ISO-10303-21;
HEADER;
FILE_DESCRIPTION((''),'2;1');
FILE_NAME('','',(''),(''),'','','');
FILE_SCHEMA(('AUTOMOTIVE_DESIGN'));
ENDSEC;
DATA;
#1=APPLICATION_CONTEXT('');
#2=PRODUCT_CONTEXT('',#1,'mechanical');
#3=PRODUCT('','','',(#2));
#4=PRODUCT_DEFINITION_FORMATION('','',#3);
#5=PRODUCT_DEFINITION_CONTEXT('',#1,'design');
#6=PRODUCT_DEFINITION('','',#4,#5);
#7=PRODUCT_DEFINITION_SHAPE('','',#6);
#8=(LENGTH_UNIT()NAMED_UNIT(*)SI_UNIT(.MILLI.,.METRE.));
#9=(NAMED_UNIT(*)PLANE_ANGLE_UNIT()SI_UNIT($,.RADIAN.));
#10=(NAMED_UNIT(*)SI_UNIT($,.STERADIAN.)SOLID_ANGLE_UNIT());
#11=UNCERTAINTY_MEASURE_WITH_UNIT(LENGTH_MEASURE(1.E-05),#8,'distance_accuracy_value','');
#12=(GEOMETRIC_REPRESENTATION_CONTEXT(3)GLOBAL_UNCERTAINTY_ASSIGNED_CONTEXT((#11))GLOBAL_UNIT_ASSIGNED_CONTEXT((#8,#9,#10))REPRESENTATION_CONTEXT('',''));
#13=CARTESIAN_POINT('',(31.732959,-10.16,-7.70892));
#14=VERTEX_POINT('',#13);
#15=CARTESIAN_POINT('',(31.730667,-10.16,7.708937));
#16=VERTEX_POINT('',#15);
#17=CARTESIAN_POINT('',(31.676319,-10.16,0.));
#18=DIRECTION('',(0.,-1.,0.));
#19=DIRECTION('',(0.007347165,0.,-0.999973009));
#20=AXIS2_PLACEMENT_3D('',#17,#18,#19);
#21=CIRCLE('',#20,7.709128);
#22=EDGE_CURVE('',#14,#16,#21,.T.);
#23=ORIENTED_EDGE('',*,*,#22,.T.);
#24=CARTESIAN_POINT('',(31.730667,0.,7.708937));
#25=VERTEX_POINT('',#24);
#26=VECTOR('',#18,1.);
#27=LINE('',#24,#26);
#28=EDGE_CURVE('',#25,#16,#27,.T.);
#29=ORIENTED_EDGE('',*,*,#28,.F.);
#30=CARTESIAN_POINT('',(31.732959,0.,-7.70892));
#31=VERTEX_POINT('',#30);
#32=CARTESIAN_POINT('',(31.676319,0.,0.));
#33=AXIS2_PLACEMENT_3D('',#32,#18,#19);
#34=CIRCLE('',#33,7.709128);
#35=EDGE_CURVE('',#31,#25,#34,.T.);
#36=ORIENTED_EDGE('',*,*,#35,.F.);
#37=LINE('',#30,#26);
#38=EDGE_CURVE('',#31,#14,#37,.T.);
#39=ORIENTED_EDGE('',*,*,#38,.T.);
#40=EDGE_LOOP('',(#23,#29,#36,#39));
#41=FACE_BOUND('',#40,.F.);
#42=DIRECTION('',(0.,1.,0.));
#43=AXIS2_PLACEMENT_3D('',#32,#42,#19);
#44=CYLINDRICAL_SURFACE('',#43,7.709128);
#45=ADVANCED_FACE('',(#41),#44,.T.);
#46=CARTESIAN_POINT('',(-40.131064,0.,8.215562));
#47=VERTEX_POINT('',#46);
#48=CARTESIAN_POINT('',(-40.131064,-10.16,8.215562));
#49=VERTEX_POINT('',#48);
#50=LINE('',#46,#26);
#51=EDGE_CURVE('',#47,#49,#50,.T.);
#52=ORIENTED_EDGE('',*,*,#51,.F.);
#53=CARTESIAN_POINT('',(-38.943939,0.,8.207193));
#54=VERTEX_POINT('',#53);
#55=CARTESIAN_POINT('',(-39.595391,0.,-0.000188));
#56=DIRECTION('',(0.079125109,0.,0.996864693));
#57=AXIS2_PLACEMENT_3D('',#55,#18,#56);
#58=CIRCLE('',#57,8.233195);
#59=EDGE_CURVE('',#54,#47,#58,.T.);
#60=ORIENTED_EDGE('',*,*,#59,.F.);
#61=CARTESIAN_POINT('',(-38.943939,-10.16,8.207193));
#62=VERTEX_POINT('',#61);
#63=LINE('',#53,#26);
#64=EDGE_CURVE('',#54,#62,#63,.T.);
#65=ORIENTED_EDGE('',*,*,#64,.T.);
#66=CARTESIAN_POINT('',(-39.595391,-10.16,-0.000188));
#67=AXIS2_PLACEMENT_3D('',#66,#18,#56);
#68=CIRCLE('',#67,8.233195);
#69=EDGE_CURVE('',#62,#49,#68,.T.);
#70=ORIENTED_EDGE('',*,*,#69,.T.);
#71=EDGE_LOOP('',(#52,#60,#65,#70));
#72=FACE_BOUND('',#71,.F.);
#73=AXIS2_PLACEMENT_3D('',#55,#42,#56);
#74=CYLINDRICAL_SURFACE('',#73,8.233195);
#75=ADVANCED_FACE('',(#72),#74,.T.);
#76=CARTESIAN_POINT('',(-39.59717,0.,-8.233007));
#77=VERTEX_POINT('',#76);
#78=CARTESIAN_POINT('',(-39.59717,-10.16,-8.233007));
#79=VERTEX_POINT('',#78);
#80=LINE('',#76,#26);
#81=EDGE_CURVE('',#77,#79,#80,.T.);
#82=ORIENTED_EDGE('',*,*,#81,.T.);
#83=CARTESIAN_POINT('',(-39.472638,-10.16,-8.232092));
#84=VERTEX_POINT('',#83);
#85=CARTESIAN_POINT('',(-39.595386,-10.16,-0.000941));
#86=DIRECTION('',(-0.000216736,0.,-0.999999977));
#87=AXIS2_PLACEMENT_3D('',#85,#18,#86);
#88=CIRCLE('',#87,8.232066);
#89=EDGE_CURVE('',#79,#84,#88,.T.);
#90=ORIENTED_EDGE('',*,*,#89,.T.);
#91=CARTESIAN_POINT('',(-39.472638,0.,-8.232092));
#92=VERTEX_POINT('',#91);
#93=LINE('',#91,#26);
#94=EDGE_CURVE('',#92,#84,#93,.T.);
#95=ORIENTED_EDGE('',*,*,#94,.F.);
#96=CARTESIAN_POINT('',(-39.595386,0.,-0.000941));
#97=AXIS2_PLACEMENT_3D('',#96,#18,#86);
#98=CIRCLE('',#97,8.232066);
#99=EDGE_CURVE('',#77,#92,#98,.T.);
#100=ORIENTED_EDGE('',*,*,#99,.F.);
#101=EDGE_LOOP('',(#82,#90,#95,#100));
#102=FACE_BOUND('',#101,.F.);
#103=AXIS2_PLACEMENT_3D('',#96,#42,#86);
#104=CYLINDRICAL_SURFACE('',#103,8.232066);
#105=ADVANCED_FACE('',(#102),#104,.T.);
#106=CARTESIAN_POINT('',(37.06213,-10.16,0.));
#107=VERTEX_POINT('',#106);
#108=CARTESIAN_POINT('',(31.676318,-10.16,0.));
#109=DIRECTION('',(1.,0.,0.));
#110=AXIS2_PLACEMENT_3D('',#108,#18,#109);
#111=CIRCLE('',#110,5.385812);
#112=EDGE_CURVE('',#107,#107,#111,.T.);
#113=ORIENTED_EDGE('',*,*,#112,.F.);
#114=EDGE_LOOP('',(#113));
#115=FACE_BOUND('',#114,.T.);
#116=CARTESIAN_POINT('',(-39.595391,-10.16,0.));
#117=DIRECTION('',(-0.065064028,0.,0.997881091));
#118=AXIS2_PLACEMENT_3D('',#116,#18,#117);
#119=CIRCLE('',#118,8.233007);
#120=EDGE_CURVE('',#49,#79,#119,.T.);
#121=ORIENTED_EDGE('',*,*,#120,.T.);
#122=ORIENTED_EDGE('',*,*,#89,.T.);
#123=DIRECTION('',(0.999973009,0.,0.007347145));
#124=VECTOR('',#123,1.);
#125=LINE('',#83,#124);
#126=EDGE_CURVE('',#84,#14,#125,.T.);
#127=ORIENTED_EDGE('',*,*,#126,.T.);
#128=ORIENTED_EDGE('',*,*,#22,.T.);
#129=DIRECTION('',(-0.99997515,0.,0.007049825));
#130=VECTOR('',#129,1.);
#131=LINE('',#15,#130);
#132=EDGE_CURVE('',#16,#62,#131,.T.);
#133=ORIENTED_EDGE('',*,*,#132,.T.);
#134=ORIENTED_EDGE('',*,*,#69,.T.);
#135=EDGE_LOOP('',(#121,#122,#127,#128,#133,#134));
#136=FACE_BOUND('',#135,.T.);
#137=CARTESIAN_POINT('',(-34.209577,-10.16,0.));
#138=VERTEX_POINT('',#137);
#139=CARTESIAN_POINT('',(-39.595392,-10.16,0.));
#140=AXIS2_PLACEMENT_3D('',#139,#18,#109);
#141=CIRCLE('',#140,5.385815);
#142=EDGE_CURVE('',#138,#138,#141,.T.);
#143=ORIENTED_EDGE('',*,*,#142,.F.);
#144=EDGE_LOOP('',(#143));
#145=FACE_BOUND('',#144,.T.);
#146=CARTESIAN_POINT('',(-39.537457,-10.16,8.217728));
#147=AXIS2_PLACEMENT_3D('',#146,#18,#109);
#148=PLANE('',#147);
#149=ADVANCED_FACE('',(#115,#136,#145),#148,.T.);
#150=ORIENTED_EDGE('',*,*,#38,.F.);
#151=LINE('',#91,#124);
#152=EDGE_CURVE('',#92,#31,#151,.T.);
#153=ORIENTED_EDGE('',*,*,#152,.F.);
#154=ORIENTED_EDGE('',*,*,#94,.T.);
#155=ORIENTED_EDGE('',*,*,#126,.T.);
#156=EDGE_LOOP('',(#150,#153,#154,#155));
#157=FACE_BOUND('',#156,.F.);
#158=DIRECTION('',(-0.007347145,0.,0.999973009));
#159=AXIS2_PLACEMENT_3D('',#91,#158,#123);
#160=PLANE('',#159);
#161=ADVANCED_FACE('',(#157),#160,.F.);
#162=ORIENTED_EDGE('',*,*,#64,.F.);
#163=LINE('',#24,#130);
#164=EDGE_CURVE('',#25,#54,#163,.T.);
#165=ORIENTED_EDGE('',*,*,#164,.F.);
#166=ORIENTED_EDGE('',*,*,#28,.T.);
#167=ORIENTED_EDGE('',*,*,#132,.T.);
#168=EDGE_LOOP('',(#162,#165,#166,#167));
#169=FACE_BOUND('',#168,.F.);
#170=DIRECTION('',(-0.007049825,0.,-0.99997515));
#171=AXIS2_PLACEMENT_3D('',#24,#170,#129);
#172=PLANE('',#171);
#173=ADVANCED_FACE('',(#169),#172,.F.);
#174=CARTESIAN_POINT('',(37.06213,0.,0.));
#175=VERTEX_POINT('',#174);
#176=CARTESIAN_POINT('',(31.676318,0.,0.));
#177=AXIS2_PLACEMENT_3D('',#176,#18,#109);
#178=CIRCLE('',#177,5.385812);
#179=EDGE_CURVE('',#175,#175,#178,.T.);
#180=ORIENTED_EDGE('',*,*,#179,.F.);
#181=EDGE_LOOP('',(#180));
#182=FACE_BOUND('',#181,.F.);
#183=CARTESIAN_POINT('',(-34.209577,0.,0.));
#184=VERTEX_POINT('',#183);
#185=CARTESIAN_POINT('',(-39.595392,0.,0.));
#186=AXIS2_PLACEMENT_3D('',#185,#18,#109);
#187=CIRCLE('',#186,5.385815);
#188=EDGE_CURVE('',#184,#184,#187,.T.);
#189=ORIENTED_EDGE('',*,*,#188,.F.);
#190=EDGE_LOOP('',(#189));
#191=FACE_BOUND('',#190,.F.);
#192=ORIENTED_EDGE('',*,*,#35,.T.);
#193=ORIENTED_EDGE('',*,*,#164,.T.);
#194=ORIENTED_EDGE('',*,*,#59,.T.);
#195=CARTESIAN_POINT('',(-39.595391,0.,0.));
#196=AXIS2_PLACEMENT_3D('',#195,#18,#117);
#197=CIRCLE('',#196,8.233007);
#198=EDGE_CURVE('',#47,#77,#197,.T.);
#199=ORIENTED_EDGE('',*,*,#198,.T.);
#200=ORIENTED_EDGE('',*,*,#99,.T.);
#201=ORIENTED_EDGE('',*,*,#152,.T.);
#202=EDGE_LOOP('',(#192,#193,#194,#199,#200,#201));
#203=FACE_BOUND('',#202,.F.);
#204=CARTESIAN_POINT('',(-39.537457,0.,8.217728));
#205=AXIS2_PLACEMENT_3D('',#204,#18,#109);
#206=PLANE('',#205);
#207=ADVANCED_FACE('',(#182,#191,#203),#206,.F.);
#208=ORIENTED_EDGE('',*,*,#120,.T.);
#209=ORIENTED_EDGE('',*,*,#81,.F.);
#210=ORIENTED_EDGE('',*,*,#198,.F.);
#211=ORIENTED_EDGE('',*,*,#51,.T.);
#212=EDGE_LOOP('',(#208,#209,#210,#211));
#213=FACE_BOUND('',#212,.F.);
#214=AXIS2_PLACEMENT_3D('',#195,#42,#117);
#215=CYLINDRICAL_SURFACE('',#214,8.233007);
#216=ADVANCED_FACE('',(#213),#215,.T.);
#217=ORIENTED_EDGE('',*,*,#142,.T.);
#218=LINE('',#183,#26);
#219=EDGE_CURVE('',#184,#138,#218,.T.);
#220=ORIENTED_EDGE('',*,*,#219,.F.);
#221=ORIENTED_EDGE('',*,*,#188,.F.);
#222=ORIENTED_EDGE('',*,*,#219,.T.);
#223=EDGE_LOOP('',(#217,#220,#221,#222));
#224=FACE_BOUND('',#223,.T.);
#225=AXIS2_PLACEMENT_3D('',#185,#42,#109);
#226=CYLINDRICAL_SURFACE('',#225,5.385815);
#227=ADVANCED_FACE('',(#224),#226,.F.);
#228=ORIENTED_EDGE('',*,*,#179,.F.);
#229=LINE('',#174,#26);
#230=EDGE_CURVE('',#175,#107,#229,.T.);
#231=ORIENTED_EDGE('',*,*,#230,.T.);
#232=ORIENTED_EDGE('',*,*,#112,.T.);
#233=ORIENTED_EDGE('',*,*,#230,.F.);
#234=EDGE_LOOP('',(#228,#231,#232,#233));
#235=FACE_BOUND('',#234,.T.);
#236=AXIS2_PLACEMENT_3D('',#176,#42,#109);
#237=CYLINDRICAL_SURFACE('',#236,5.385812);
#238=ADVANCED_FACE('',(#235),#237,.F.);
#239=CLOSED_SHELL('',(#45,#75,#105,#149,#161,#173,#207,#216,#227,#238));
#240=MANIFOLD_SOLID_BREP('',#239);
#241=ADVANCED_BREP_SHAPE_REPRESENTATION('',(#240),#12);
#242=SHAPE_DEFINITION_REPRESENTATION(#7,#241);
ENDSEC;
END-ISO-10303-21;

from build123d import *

# Parameters (mm, degrees)
F0_R     = 5.385815
F0_R_2   = 5.385812
F1_DEPTH = 10.16


with BuildPart() as f1:
    # F0 (on Front) → F1 (new body)
    with BuildSketch(Plane.XZ):
        with BuildLine():
            Line((-40.131064, 8.215562), (-38.943939, 8.207193))
            ThreePointArc((-38.943939, 8.207193), (-39.53735, 8.232802), (-40.131064, 8.215562))
        make_face()
        with BuildLine():
            Line((31.730667, 7.708937), (-38.943939, 8.207193))
            Line((-38.943939, 8.207193), (-40.131064, 8.215562))
            ThreePointArc((-40.131064, 8.215562), (-47.824065, -0.267089), (-39.59717, -8.233007))
            Line((-39.59717, -8.233007), (-39.472638, -8.232092))
            Line((-39.472638, -8.232092), (31.732959, -7.70892))
            ThreePointArc((31.732959, -7.70892), (39.385447, 0.001146), (31.730667, 7.708937))
        make_face()
        with Locations((-39.595392, 0)):
            Circle(F0_R, mode=Mode.SUBTRACT)
        with Locations((31.676318, 0)):
            Circle(F0_R_2, mode=Mode.SUBTRACT)
        with BuildLine():
            Line((-39.472638, -8.232092), (-39.59717, -8.233007))
            ThreePointArc((-39.59717, -8.233007), (-39.534903, -8.232785), (-39.472638, -8.232092))
        make_face()
    extrude(amount=F1_DEPTH)


solid = f1.part
